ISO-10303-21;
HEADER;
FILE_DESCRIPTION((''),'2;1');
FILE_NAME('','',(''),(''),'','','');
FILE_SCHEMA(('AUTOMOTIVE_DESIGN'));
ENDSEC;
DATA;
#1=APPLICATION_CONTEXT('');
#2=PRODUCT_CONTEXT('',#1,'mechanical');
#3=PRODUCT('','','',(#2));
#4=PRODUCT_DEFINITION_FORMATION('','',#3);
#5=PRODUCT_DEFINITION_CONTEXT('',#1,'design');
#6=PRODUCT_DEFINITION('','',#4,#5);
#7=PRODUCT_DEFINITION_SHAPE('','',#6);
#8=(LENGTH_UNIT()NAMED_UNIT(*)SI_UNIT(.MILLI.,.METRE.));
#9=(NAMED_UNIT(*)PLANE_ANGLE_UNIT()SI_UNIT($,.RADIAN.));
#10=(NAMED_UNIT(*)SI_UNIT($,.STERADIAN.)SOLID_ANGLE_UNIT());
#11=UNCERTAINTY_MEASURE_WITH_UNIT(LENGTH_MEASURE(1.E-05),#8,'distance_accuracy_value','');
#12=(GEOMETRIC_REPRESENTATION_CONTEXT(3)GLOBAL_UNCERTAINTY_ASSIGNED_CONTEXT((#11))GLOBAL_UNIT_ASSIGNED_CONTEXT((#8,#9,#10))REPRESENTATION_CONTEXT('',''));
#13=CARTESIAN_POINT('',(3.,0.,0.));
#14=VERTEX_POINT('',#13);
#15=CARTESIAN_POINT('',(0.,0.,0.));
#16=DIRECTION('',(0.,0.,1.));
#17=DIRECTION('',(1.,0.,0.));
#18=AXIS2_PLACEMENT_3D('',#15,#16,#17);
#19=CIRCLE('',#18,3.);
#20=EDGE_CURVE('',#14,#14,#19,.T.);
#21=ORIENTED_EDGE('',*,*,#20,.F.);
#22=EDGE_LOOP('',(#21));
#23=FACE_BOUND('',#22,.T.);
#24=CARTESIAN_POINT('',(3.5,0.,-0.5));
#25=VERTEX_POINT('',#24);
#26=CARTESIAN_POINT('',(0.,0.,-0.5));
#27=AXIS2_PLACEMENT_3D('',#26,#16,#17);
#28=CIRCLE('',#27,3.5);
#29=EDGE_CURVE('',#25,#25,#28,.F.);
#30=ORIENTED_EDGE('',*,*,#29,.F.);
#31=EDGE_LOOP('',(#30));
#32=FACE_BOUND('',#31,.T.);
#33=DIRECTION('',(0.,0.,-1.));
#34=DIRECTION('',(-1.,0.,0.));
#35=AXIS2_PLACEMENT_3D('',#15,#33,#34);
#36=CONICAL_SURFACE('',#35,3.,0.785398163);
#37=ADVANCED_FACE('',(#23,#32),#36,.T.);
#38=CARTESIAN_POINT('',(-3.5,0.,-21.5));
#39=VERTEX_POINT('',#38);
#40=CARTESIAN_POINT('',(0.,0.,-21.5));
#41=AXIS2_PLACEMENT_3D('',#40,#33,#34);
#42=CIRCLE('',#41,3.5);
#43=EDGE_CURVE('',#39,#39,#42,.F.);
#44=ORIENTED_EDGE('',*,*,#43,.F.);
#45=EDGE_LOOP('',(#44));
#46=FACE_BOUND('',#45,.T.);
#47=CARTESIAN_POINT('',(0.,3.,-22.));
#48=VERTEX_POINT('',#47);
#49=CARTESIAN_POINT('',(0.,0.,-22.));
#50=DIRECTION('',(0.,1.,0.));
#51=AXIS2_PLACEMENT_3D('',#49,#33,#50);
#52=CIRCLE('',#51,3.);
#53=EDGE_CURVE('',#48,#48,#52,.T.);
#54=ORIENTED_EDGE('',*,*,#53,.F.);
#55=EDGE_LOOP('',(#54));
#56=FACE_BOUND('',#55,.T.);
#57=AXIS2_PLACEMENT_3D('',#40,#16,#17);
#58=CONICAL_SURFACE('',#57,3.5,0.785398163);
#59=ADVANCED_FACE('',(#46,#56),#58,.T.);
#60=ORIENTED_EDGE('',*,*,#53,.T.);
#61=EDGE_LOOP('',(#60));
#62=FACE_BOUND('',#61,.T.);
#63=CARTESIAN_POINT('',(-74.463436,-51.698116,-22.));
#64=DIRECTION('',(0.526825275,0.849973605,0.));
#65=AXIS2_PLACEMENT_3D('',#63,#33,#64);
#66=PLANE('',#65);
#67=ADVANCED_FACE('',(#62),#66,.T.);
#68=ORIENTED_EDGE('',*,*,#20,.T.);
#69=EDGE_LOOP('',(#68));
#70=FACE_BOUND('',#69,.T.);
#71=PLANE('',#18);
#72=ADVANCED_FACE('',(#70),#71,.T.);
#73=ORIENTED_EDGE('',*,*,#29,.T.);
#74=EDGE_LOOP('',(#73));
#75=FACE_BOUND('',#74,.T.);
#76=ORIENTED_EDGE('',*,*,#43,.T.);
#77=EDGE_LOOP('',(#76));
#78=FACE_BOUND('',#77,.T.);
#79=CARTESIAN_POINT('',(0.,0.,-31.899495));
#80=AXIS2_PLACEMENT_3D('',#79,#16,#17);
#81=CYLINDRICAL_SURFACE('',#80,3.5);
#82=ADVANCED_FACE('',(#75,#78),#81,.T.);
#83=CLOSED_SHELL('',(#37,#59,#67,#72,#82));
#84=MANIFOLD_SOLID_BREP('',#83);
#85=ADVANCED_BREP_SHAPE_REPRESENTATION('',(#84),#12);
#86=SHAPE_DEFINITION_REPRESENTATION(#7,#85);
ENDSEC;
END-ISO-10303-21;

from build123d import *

# Parameters (mm, degrees)
BASE_EXTRUSION_START = -22
ESQUISSE1_R          = 3.5
BASE_EXTRUSION_DEPTH = 22
CHANFREIN1_SIZE      = 0.5


with BuildPart() as part:
    # Esquisse1 → Base-Extrusion (new body)
    with BuildSketch(Plane.XY.offset(BASE_EXTRUSION_START)):
        Circle(ESQUISSE1_R)
    extrude(amount=BASE_EXTRUSION_DEPTH)

    # Chanfrein1
    chanfrein1_edges = [part.edges().sort_by_distance(p)[0] for p in [
        (-3.5, 0, 0),
        (-3.5, 0, -22),
    ]]
    chamfer(chanfrein1_edges, length=CHANFREIN1_SIZE)


solid = part.part
